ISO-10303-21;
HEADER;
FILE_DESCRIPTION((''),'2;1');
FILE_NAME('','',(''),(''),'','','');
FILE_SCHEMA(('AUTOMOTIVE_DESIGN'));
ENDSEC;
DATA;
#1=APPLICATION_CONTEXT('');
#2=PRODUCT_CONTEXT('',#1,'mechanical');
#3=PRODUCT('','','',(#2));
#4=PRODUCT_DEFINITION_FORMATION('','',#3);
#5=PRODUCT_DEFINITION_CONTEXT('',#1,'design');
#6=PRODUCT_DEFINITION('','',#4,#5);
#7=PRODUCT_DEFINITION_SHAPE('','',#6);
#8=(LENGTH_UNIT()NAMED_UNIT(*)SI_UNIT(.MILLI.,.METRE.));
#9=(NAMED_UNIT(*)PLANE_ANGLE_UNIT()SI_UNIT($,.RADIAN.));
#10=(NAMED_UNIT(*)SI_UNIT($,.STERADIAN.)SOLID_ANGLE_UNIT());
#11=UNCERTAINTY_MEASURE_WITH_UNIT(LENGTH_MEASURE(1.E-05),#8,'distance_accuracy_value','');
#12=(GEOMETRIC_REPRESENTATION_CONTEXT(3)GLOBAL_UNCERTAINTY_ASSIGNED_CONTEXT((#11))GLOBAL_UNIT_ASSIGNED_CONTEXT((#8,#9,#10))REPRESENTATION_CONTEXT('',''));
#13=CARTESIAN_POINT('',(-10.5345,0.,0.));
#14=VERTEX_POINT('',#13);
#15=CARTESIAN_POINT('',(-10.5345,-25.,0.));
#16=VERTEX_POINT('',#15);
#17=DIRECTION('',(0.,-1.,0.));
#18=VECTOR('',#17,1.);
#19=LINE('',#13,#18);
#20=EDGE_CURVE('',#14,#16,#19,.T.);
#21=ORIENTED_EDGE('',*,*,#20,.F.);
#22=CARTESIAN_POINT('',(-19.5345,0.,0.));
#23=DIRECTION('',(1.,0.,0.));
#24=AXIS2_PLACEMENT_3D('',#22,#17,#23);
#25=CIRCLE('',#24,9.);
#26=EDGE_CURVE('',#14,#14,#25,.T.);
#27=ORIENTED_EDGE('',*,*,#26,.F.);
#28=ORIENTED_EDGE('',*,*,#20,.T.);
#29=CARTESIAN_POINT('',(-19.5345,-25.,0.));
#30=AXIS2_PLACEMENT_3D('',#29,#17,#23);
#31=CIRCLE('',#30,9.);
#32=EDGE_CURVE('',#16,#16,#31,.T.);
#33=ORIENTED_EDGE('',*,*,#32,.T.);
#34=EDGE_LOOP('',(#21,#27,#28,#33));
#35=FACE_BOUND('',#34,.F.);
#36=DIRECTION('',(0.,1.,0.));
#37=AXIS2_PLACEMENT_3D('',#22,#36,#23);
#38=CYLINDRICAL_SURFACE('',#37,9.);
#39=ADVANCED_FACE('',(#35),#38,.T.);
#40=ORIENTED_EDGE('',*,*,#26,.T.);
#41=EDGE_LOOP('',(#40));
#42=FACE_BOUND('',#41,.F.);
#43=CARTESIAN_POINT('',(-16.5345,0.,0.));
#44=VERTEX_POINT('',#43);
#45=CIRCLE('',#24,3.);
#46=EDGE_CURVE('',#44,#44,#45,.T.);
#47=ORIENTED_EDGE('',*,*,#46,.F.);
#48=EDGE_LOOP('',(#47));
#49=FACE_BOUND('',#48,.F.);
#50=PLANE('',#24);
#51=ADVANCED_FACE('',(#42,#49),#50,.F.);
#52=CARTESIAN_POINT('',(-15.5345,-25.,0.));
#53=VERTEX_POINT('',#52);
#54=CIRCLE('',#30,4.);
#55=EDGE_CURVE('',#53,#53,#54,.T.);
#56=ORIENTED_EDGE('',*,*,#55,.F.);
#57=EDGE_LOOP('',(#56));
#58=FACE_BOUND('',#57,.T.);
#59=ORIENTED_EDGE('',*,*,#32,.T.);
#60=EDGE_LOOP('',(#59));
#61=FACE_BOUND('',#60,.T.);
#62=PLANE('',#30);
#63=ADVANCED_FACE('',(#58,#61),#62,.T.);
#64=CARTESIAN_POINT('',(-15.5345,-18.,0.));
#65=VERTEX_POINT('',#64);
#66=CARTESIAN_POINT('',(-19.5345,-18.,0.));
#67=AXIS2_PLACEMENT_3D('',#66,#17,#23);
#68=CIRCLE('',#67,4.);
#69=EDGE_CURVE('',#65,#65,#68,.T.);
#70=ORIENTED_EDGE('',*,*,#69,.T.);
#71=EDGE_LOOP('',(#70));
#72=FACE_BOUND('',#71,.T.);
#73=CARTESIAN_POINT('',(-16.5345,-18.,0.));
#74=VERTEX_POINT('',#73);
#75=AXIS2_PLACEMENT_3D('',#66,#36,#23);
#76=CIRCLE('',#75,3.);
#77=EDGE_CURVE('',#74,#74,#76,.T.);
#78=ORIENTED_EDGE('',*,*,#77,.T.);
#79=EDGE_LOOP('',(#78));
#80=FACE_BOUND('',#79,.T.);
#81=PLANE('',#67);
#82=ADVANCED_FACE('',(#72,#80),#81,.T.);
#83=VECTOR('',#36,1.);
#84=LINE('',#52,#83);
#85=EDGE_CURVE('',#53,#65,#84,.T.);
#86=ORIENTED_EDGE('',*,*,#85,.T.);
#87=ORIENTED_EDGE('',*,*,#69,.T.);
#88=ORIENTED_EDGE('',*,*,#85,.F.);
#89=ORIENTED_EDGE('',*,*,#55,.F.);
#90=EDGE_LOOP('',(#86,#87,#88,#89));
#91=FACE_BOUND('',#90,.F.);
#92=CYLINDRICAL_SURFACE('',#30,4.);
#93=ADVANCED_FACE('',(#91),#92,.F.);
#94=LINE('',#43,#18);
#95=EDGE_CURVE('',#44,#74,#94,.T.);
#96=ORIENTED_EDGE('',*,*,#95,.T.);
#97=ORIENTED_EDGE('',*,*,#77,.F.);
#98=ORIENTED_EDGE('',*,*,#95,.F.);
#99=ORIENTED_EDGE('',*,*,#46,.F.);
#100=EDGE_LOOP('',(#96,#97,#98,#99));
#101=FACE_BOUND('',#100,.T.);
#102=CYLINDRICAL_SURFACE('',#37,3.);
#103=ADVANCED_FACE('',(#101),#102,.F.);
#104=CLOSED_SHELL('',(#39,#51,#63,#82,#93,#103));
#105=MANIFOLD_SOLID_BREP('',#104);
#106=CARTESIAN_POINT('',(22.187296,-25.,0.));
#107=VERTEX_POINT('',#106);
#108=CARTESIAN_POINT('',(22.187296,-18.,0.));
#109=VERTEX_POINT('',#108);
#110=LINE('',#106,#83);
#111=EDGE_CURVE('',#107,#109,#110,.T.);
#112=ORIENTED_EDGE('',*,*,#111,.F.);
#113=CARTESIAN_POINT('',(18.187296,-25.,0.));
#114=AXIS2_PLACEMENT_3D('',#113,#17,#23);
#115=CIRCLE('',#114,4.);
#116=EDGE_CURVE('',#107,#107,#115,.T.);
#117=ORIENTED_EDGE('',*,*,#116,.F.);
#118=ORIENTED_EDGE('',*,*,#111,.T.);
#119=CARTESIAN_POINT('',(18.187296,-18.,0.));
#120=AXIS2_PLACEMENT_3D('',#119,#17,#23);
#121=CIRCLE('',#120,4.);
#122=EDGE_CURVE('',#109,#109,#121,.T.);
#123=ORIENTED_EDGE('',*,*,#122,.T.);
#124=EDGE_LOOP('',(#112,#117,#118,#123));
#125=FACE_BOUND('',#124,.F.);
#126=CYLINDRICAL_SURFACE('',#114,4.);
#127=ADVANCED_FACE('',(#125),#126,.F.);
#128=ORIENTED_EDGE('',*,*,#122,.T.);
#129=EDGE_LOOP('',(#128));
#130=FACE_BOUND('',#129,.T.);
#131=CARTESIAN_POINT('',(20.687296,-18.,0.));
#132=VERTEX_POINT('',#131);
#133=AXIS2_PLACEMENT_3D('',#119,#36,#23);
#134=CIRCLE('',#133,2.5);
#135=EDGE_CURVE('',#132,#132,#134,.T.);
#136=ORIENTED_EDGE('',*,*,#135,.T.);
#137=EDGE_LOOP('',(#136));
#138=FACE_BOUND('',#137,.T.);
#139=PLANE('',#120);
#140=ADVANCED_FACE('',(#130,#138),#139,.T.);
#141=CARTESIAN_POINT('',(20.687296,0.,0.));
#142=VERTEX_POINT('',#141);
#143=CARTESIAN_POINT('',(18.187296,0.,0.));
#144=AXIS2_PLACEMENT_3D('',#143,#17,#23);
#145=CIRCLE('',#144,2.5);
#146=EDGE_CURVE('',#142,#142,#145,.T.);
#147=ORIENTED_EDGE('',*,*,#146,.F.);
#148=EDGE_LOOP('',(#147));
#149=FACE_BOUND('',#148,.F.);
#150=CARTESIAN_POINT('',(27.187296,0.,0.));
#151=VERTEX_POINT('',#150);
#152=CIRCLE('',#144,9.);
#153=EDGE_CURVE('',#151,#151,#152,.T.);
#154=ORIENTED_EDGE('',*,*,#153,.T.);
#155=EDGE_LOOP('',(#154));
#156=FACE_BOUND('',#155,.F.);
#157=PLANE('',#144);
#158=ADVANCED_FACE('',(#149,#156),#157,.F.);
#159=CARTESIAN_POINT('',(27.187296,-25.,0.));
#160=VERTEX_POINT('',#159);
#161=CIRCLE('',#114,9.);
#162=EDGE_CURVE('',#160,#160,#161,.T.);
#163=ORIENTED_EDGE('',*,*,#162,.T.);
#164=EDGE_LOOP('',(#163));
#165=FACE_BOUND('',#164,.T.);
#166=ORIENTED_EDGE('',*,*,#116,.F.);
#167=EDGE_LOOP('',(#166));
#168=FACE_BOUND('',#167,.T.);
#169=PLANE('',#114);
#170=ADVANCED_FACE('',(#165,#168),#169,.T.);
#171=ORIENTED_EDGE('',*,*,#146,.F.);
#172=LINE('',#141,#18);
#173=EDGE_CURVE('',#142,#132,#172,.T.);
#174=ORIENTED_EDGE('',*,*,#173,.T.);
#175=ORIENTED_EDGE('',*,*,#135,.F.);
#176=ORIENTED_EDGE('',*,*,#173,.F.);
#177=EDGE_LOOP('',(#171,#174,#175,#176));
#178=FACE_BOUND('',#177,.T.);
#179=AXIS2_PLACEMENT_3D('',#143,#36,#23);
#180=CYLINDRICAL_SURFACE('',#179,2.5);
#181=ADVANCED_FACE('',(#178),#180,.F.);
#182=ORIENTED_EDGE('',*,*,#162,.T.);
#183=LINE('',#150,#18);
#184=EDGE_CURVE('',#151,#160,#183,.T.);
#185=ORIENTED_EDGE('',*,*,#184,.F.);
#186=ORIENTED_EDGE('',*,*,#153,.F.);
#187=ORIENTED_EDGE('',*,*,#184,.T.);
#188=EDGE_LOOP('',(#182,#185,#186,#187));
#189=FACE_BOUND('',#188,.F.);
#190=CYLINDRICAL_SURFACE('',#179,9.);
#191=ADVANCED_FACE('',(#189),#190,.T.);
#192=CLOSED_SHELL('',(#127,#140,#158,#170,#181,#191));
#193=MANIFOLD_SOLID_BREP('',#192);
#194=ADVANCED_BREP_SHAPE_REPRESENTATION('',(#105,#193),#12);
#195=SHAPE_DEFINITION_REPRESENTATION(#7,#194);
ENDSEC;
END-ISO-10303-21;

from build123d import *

# Parameters (mm, degrees)
F0_R     = 9
F0_R_2   = 3
F0_R_3   = 2.5
F1_DEPTH = 25
F2_R     = 4
F3_DEPTH = 7
F4_R     = 4
F5_DEPTH = 7


with BuildPart() as f1:
    # F0 (on Front) → F1 (new body)
    with BuildSketch(Plane.XZ):
        with Locations((-19.5345, 0)):
            Circle(F0_R)
        with Locations((-19.5345, 0)):
            Circle(F0_R_2, mode=Mode.SUBTRACT)
        with Locations((18.187296, 0)):
            Circle(F0_R)
        with Locations((18.187296, 0)):
            Circle(F0_R_3, mode=Mode.SUBTRACT)
    extrude(amount=F1_DEPTH)

    # F2 (on face) → F3 (cut)
    with BuildSketch(Plane.XZ.offset(25)):
        with Locations((-19.5345, 0)):
            Circle(F2_R)
    extrude(amount=-F3_DEPTH, mode=Mode.SUBTRACT)

    # F4 (on face) → F5 (cut)
    with BuildSketch(Plane.XZ.offset(25)):
        with Locations((18.187296, 0)):
            Circle(F4_R)
    extrude(amount=-F5_DEPTH, mode=Mode.SUBTRACT)


solid = f1.part
